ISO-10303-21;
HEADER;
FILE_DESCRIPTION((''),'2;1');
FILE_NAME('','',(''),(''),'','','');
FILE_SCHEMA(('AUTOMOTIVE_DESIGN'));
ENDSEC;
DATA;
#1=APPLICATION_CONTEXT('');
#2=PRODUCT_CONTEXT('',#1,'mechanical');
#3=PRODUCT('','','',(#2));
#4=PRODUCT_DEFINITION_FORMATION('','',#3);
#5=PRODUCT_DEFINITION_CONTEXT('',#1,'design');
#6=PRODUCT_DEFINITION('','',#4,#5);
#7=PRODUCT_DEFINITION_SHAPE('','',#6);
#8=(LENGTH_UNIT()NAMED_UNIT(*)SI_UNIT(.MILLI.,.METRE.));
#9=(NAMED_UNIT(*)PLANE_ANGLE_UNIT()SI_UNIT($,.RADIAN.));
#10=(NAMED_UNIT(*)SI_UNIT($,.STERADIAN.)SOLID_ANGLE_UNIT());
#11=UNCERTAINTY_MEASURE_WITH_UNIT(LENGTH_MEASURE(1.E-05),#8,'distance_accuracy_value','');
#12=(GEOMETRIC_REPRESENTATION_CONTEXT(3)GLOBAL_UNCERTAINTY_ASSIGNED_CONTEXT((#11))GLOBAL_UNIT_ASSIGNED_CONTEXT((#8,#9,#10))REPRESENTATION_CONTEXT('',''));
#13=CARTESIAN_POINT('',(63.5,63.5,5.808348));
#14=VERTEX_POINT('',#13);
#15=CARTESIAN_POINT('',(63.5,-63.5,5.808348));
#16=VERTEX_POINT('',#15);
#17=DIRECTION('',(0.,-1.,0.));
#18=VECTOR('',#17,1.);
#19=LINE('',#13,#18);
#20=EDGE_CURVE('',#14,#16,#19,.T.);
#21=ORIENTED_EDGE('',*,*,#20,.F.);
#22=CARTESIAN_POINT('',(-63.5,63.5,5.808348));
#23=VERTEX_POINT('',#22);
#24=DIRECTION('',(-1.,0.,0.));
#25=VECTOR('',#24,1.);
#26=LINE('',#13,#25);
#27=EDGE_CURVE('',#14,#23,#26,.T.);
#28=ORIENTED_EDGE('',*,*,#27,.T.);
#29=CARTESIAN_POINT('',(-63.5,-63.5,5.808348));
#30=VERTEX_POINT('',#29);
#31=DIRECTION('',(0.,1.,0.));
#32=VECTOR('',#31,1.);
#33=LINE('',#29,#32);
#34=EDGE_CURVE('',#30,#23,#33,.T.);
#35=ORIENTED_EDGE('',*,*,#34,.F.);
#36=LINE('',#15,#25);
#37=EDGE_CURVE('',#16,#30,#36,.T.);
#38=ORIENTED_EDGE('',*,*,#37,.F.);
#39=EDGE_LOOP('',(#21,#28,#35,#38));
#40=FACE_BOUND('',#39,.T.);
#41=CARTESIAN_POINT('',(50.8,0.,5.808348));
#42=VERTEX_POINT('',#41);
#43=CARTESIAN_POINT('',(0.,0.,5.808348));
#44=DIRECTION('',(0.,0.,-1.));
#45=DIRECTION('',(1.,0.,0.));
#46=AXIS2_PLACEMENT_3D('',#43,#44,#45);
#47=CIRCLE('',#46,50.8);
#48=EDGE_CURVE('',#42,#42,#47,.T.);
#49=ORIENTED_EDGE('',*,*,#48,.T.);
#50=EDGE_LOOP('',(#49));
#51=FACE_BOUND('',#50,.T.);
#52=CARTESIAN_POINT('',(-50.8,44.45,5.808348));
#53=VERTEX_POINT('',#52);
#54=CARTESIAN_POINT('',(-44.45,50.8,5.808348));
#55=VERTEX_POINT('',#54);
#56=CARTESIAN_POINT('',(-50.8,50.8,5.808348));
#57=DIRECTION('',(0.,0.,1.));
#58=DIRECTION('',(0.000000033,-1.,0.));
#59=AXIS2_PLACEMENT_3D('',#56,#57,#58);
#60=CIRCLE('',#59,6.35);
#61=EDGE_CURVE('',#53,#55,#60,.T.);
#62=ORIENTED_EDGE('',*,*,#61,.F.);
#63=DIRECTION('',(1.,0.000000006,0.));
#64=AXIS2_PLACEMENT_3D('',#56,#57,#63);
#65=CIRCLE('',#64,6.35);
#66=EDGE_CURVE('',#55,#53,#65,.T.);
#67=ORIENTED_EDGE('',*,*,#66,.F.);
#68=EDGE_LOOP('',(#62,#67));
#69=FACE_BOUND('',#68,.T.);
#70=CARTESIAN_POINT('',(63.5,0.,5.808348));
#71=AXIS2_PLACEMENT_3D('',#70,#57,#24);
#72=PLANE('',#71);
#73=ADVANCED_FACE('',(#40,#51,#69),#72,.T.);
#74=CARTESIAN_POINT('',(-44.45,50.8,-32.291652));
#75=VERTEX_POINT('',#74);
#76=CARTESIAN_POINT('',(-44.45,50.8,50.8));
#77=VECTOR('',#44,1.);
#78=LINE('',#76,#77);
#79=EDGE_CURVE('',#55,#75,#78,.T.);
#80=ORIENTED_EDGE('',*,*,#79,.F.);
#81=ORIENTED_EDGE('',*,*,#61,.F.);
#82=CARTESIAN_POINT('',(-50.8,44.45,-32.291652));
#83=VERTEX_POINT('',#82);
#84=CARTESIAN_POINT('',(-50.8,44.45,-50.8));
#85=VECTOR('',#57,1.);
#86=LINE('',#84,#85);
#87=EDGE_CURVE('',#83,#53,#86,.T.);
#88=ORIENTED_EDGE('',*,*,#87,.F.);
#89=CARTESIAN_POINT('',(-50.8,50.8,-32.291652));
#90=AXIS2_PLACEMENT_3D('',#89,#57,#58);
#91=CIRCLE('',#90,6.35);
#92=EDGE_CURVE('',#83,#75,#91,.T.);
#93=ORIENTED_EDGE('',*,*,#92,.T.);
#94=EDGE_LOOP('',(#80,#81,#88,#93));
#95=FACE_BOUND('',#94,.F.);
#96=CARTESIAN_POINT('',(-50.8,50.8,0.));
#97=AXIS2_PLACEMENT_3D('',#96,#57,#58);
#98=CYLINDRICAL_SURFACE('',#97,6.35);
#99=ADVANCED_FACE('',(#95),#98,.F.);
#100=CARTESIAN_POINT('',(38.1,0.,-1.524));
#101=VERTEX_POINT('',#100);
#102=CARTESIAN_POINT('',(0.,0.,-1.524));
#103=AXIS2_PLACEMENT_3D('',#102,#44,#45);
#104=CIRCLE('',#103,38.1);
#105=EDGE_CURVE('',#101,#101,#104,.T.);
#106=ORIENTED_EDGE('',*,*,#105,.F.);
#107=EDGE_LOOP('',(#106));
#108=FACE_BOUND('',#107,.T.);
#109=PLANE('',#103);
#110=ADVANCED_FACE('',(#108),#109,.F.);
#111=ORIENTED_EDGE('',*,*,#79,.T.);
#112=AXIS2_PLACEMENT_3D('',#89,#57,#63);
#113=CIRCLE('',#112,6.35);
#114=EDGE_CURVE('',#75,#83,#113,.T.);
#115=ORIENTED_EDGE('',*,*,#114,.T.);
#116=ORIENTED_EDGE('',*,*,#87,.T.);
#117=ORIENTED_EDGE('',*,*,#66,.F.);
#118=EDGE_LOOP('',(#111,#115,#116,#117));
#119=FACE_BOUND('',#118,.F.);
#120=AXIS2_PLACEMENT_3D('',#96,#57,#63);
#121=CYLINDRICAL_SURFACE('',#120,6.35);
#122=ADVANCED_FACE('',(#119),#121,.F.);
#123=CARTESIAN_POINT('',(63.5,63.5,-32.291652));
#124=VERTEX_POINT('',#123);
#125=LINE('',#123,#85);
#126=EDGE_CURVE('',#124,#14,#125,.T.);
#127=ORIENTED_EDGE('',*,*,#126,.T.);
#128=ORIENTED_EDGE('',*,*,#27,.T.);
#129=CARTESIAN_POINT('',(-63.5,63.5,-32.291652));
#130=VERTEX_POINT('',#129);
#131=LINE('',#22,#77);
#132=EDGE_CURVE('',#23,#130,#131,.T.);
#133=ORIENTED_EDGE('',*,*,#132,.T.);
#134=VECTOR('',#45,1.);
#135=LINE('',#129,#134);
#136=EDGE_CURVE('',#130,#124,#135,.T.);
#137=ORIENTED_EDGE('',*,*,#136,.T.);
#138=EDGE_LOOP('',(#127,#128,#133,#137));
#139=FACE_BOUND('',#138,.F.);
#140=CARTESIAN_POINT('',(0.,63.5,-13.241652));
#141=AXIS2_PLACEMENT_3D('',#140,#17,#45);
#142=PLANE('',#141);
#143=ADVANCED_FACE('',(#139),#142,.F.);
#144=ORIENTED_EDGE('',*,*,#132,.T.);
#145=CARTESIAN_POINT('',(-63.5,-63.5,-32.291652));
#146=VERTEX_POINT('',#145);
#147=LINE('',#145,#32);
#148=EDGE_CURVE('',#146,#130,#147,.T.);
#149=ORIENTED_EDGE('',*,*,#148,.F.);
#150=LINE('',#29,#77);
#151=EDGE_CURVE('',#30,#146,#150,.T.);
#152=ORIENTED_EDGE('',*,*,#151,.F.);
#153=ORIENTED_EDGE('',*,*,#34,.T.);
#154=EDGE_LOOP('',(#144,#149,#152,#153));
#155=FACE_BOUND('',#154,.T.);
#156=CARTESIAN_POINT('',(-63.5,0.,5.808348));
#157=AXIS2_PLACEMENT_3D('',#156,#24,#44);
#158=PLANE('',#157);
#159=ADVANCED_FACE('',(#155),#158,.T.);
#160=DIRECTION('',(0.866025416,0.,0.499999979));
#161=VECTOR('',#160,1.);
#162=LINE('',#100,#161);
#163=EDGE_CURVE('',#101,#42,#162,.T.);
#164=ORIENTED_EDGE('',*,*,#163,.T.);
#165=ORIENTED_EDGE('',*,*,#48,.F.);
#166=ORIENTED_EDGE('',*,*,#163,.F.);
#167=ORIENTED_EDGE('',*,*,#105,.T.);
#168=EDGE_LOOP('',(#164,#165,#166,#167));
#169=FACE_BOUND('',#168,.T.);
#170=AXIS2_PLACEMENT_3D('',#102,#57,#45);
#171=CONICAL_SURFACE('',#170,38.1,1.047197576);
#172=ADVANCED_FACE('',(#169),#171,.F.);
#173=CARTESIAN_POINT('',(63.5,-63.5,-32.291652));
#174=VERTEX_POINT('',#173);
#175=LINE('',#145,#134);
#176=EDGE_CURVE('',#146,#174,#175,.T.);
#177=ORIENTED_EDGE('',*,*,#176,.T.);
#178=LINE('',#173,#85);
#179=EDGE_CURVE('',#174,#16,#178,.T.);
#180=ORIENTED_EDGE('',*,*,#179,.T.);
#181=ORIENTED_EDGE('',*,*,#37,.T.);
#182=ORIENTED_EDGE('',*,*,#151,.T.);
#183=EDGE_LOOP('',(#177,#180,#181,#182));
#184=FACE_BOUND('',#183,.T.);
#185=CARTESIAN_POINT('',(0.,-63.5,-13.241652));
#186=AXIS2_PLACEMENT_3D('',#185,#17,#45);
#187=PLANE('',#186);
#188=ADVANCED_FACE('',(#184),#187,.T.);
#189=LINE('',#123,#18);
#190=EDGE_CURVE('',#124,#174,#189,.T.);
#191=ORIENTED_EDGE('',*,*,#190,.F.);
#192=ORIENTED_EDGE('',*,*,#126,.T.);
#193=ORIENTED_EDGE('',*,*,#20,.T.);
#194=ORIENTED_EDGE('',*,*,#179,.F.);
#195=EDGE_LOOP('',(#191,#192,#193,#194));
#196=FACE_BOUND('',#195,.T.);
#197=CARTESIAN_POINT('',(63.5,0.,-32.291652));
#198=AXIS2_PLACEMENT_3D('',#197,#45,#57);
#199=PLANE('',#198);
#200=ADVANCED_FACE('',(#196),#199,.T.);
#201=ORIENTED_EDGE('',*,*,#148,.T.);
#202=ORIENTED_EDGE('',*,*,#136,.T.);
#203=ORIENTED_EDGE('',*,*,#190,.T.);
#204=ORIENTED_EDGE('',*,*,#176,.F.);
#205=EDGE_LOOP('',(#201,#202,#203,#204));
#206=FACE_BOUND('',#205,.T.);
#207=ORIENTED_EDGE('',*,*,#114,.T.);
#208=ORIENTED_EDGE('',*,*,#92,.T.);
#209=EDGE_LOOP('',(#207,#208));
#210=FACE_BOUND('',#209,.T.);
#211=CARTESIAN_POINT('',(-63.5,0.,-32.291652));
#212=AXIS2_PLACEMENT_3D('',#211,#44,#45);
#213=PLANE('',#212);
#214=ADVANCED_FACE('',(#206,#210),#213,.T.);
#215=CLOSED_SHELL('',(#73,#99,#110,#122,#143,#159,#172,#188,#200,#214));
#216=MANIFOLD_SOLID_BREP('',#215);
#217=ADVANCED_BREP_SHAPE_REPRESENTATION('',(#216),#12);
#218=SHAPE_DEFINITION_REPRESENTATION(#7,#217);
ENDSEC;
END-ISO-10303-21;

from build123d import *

# Parameters (mm, degrees)
F2_DEPTH = 63.5
F5_DEPTH = 50.8


with BuildPart() as f2:
    # F1 (on Front) → F2 (new body, symmetric)
    with BuildSketch(Plane.XZ):
        Polygon((-63.5, -32.291652), (63.5, -32.291652), (63.5, 5.808348), (0, 5.808348), (-63.5, 5.808348), align=None)
    extrude(amount=F2_DEPTH, both=True)

    # F0 (on Front) → F3 (revolve, cut)
    with BuildSketch(Plane.XZ):
        Polygon((38.1, -1.524), (50.8, 5.808348), (0, 5.808348), (0, -1.524), align=None)
    revolve(axis=Axis((0, 0, 2.142174), (0, 0, -1)), mode=Mode.SUBTRACT)

    # F4 (on Top) → F5 (cut, symmetric)
    with BuildSketch(Plane.XY):
        with BuildLine():
            ThreePointArc((-44.45, 50.8), (-55.290128, 55.290128), (-50.8, 44.45))
            Line((-50.8, 44.45), (-50.8, 50.8))
            Line((-50.8, 50.8), (-44.45, 50.8))
        make_face()
        with BuildLine():
            Line((-50.8, 50.8), (-50.8, 44.45))
            ThreePointArc((-50.8, 44.45), (-46.309872, 46.309872), (-44.45, 50.8))
            Line((-44.45, 50.8), (-50.8, 50.8))
        make_face()
    extrude(amount=F5_DEPTH, both=True, mode=Mode.SUBTRACT)


solid = f2.part
